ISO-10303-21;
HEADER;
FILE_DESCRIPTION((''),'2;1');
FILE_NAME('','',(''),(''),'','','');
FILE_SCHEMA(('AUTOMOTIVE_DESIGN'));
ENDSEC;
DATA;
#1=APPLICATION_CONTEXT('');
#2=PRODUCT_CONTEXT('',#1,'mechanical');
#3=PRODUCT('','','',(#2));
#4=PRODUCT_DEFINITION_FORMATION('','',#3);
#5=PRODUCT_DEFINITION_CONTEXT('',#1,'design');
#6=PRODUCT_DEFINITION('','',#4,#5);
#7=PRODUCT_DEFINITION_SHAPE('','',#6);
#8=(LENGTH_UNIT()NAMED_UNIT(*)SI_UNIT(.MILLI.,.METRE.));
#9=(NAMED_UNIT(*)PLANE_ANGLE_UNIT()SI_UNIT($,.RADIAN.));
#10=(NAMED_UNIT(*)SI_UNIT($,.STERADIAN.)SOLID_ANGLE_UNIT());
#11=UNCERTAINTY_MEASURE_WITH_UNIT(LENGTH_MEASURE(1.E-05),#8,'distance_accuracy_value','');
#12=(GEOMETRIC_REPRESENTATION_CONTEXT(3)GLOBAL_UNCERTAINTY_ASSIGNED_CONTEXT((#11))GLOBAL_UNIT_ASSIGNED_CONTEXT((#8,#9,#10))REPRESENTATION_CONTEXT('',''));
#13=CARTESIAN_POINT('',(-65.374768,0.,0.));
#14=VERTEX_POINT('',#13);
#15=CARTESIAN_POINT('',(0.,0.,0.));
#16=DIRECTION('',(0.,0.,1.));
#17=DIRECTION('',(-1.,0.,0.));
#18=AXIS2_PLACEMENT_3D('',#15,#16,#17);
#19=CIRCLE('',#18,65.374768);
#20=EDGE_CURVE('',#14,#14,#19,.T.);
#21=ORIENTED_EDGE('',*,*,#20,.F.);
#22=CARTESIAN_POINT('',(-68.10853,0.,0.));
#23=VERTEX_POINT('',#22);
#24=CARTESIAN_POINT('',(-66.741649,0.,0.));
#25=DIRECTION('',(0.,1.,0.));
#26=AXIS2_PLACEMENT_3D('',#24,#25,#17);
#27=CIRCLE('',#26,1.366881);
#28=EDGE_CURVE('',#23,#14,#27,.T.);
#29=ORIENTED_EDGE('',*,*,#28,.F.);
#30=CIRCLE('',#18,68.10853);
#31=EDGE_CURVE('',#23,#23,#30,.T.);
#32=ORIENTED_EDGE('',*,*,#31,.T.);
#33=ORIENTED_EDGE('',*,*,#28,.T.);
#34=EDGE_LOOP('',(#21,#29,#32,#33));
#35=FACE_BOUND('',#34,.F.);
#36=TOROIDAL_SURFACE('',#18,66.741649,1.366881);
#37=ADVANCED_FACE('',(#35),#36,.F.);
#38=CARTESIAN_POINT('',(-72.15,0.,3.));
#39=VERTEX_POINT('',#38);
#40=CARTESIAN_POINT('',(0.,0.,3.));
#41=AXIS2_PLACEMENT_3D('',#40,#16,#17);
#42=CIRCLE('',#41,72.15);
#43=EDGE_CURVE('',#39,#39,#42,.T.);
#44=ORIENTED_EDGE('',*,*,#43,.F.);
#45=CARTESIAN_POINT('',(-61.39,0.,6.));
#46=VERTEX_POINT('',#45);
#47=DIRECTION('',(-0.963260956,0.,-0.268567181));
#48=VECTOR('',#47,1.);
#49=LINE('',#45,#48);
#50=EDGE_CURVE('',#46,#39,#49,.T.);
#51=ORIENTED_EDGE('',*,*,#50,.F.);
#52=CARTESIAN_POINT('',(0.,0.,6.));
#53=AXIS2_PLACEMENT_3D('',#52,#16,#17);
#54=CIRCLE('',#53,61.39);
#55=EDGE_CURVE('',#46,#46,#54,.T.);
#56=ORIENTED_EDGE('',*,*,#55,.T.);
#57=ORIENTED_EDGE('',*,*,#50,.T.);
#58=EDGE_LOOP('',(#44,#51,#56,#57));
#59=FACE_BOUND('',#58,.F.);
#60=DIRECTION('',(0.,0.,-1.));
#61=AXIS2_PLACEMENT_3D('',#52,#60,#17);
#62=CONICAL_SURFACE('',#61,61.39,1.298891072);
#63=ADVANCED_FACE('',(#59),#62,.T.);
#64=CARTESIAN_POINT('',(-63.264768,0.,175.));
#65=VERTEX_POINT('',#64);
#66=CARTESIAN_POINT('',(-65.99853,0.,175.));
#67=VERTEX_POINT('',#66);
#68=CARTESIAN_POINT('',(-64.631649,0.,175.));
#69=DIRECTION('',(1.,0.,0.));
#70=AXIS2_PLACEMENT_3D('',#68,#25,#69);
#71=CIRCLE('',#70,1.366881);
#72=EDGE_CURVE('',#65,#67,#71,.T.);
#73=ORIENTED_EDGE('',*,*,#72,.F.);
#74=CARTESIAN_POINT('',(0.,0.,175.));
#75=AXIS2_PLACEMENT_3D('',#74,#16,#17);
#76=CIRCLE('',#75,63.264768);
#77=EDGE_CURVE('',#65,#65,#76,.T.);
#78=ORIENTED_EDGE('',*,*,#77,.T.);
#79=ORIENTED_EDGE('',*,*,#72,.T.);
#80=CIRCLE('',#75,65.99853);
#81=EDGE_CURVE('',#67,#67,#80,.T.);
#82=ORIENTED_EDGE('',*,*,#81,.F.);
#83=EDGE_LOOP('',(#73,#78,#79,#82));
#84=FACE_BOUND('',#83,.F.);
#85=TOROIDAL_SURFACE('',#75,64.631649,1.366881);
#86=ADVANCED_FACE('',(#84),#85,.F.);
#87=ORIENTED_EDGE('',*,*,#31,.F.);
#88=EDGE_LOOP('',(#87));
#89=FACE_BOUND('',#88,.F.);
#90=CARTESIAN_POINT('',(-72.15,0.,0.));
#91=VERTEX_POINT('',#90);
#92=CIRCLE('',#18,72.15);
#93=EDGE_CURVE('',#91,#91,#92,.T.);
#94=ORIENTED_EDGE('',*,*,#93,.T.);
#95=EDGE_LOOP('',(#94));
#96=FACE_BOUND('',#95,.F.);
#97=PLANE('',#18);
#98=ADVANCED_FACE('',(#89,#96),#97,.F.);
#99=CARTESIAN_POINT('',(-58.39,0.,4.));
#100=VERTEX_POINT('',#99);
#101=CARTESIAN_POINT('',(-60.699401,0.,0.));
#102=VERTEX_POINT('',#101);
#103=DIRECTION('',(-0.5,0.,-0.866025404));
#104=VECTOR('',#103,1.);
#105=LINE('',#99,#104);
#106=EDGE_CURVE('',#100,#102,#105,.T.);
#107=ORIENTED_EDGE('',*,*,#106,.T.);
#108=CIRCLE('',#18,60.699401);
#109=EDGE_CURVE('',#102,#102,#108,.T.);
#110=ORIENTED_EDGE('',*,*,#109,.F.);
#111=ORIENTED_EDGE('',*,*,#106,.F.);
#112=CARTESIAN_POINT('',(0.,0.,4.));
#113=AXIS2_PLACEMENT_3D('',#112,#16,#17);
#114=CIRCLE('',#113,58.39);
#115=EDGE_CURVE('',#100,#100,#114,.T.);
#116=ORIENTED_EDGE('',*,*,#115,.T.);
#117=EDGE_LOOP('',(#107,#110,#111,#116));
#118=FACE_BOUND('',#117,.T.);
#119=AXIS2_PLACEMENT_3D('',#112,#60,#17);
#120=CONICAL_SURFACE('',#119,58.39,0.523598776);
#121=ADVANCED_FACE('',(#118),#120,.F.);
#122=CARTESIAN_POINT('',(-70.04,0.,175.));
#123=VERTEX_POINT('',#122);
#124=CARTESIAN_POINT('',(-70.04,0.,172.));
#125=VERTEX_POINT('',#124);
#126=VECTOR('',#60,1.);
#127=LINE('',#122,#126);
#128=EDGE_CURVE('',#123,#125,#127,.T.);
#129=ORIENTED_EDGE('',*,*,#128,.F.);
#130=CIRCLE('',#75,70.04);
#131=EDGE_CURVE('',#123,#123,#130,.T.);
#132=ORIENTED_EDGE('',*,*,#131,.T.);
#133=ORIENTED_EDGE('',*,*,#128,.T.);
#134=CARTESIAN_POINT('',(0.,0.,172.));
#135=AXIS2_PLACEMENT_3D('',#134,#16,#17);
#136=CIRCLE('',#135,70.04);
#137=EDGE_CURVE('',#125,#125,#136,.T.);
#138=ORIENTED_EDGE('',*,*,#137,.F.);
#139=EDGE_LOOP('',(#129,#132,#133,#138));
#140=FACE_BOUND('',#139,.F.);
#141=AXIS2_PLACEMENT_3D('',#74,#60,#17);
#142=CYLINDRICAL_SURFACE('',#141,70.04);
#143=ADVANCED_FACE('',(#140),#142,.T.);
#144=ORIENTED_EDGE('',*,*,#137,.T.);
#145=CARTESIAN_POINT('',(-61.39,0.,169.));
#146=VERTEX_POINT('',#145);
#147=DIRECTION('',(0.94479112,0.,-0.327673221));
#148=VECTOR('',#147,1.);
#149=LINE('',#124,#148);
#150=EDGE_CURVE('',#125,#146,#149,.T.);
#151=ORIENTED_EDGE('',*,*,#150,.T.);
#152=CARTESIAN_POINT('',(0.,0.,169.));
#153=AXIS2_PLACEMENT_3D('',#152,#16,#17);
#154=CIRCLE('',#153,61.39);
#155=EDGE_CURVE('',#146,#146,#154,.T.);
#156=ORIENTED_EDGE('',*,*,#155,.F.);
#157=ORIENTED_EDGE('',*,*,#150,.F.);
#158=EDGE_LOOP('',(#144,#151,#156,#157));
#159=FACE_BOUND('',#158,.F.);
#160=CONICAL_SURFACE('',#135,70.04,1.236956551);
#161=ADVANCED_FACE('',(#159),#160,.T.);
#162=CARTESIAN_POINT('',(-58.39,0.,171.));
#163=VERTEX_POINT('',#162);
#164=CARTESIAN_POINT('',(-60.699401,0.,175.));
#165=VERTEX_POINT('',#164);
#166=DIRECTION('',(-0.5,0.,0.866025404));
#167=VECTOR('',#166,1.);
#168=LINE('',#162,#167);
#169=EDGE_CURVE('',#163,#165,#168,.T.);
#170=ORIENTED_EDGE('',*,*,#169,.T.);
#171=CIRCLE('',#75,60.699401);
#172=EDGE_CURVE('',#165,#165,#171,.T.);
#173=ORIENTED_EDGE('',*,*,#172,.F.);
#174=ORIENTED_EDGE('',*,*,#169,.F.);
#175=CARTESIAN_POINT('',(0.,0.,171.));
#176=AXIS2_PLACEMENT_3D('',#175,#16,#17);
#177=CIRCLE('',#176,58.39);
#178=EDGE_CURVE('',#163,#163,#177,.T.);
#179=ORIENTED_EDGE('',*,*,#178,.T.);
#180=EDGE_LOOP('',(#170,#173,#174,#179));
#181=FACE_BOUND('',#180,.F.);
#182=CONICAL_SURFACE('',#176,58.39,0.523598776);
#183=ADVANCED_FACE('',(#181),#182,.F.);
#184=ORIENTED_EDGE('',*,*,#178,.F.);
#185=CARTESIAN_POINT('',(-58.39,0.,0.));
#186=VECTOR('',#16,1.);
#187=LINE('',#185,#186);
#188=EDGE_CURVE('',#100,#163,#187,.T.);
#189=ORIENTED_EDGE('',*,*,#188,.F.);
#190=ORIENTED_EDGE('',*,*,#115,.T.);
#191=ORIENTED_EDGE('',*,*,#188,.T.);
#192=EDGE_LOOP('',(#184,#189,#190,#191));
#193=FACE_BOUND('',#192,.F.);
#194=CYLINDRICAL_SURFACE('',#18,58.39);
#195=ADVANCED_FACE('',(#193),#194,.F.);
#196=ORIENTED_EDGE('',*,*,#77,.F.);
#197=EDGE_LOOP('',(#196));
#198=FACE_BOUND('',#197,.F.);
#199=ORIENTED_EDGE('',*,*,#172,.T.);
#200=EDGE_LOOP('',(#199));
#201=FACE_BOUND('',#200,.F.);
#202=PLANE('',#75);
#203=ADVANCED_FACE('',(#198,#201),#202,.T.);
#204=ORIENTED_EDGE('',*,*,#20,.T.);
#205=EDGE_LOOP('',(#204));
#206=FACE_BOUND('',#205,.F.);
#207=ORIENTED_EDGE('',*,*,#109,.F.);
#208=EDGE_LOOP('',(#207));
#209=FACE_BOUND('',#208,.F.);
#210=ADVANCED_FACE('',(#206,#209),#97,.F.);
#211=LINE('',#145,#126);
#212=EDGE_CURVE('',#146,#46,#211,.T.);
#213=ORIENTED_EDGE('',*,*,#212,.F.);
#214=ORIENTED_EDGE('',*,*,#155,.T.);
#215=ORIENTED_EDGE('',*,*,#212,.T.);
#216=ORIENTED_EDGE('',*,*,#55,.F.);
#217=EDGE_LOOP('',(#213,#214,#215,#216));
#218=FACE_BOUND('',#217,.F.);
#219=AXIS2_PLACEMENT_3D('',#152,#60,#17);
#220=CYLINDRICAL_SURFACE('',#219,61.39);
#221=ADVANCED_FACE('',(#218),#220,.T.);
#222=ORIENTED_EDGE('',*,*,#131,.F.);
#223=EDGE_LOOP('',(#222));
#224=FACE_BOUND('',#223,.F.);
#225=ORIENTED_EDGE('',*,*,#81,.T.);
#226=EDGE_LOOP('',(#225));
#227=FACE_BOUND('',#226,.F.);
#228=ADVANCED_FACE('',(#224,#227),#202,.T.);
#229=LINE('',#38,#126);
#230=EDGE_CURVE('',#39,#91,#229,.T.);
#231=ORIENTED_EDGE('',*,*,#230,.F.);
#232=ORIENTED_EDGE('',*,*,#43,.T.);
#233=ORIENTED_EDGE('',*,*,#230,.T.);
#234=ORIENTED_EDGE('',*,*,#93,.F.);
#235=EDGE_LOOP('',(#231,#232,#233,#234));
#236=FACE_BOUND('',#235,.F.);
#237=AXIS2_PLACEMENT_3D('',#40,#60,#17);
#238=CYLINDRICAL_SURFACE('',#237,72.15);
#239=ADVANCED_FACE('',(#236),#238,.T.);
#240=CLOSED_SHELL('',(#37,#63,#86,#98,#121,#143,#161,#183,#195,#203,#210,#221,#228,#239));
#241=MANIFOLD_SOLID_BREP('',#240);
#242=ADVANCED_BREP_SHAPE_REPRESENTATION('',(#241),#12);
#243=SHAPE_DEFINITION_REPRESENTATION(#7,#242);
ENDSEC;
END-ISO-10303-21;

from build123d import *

# Parameters (mm, degrees)
F2_SIZE2 = 2.3094010768
F2_SIZE  = 4


with BuildPart() as f1:
    # F0 (on Front) → F1 (revolve)
    with BuildSketch(Plane.XZ):
        with BuildLine():
            Line((-65.3747676625, 0), (-61.39, 0))
            Line((-61.39, 0), (-58.39, 0))
            Line((-58.39, 0), (-58.39, 175))
            Line((-58.39, 175), (-63.2647676625, 175))
            ThreePointArc((-63.2647676625, 175), (-64.631648623, 173.6331190395), (-65.9985295835, 175))
            Line((-65.9985295835, 175), (-70.04, 175))
            Line((-70.04, 175), (-70.04, 172))
            Line((-70.04, 172), (-61.39, 169))
            Line((-61.39, 169), (-61.39, 6))
            Line((-61.39, 6), (-72.15, 3))
            Line((-72.15, 3), (-72.15, 0))
            Line((-72.15, 0), (-68.1085295835, 0))
            ThreePointArc((-68.1085295835, 0), (-66.741648623, 1.3668809605), (-65.3747676625, 0))
        make_face()
    revolve(axis=Axis((0, 0, 19.3934533745), (0, 0, 1)))

    # F2
    f2_edges = [f1.edges().sort_by_distance(p)[0] for p in [
        (58.39, 0, 0),
        (58.39, 0, 175),
    ]]
    f2_side = f1.faces().sort_by_distance((58.39, 0, 87.5))[0]
    chamfer(f2_edges, length=F2_SIZE, length2=F2_SIZE2, reference=f2_side)


solid = f1.part
